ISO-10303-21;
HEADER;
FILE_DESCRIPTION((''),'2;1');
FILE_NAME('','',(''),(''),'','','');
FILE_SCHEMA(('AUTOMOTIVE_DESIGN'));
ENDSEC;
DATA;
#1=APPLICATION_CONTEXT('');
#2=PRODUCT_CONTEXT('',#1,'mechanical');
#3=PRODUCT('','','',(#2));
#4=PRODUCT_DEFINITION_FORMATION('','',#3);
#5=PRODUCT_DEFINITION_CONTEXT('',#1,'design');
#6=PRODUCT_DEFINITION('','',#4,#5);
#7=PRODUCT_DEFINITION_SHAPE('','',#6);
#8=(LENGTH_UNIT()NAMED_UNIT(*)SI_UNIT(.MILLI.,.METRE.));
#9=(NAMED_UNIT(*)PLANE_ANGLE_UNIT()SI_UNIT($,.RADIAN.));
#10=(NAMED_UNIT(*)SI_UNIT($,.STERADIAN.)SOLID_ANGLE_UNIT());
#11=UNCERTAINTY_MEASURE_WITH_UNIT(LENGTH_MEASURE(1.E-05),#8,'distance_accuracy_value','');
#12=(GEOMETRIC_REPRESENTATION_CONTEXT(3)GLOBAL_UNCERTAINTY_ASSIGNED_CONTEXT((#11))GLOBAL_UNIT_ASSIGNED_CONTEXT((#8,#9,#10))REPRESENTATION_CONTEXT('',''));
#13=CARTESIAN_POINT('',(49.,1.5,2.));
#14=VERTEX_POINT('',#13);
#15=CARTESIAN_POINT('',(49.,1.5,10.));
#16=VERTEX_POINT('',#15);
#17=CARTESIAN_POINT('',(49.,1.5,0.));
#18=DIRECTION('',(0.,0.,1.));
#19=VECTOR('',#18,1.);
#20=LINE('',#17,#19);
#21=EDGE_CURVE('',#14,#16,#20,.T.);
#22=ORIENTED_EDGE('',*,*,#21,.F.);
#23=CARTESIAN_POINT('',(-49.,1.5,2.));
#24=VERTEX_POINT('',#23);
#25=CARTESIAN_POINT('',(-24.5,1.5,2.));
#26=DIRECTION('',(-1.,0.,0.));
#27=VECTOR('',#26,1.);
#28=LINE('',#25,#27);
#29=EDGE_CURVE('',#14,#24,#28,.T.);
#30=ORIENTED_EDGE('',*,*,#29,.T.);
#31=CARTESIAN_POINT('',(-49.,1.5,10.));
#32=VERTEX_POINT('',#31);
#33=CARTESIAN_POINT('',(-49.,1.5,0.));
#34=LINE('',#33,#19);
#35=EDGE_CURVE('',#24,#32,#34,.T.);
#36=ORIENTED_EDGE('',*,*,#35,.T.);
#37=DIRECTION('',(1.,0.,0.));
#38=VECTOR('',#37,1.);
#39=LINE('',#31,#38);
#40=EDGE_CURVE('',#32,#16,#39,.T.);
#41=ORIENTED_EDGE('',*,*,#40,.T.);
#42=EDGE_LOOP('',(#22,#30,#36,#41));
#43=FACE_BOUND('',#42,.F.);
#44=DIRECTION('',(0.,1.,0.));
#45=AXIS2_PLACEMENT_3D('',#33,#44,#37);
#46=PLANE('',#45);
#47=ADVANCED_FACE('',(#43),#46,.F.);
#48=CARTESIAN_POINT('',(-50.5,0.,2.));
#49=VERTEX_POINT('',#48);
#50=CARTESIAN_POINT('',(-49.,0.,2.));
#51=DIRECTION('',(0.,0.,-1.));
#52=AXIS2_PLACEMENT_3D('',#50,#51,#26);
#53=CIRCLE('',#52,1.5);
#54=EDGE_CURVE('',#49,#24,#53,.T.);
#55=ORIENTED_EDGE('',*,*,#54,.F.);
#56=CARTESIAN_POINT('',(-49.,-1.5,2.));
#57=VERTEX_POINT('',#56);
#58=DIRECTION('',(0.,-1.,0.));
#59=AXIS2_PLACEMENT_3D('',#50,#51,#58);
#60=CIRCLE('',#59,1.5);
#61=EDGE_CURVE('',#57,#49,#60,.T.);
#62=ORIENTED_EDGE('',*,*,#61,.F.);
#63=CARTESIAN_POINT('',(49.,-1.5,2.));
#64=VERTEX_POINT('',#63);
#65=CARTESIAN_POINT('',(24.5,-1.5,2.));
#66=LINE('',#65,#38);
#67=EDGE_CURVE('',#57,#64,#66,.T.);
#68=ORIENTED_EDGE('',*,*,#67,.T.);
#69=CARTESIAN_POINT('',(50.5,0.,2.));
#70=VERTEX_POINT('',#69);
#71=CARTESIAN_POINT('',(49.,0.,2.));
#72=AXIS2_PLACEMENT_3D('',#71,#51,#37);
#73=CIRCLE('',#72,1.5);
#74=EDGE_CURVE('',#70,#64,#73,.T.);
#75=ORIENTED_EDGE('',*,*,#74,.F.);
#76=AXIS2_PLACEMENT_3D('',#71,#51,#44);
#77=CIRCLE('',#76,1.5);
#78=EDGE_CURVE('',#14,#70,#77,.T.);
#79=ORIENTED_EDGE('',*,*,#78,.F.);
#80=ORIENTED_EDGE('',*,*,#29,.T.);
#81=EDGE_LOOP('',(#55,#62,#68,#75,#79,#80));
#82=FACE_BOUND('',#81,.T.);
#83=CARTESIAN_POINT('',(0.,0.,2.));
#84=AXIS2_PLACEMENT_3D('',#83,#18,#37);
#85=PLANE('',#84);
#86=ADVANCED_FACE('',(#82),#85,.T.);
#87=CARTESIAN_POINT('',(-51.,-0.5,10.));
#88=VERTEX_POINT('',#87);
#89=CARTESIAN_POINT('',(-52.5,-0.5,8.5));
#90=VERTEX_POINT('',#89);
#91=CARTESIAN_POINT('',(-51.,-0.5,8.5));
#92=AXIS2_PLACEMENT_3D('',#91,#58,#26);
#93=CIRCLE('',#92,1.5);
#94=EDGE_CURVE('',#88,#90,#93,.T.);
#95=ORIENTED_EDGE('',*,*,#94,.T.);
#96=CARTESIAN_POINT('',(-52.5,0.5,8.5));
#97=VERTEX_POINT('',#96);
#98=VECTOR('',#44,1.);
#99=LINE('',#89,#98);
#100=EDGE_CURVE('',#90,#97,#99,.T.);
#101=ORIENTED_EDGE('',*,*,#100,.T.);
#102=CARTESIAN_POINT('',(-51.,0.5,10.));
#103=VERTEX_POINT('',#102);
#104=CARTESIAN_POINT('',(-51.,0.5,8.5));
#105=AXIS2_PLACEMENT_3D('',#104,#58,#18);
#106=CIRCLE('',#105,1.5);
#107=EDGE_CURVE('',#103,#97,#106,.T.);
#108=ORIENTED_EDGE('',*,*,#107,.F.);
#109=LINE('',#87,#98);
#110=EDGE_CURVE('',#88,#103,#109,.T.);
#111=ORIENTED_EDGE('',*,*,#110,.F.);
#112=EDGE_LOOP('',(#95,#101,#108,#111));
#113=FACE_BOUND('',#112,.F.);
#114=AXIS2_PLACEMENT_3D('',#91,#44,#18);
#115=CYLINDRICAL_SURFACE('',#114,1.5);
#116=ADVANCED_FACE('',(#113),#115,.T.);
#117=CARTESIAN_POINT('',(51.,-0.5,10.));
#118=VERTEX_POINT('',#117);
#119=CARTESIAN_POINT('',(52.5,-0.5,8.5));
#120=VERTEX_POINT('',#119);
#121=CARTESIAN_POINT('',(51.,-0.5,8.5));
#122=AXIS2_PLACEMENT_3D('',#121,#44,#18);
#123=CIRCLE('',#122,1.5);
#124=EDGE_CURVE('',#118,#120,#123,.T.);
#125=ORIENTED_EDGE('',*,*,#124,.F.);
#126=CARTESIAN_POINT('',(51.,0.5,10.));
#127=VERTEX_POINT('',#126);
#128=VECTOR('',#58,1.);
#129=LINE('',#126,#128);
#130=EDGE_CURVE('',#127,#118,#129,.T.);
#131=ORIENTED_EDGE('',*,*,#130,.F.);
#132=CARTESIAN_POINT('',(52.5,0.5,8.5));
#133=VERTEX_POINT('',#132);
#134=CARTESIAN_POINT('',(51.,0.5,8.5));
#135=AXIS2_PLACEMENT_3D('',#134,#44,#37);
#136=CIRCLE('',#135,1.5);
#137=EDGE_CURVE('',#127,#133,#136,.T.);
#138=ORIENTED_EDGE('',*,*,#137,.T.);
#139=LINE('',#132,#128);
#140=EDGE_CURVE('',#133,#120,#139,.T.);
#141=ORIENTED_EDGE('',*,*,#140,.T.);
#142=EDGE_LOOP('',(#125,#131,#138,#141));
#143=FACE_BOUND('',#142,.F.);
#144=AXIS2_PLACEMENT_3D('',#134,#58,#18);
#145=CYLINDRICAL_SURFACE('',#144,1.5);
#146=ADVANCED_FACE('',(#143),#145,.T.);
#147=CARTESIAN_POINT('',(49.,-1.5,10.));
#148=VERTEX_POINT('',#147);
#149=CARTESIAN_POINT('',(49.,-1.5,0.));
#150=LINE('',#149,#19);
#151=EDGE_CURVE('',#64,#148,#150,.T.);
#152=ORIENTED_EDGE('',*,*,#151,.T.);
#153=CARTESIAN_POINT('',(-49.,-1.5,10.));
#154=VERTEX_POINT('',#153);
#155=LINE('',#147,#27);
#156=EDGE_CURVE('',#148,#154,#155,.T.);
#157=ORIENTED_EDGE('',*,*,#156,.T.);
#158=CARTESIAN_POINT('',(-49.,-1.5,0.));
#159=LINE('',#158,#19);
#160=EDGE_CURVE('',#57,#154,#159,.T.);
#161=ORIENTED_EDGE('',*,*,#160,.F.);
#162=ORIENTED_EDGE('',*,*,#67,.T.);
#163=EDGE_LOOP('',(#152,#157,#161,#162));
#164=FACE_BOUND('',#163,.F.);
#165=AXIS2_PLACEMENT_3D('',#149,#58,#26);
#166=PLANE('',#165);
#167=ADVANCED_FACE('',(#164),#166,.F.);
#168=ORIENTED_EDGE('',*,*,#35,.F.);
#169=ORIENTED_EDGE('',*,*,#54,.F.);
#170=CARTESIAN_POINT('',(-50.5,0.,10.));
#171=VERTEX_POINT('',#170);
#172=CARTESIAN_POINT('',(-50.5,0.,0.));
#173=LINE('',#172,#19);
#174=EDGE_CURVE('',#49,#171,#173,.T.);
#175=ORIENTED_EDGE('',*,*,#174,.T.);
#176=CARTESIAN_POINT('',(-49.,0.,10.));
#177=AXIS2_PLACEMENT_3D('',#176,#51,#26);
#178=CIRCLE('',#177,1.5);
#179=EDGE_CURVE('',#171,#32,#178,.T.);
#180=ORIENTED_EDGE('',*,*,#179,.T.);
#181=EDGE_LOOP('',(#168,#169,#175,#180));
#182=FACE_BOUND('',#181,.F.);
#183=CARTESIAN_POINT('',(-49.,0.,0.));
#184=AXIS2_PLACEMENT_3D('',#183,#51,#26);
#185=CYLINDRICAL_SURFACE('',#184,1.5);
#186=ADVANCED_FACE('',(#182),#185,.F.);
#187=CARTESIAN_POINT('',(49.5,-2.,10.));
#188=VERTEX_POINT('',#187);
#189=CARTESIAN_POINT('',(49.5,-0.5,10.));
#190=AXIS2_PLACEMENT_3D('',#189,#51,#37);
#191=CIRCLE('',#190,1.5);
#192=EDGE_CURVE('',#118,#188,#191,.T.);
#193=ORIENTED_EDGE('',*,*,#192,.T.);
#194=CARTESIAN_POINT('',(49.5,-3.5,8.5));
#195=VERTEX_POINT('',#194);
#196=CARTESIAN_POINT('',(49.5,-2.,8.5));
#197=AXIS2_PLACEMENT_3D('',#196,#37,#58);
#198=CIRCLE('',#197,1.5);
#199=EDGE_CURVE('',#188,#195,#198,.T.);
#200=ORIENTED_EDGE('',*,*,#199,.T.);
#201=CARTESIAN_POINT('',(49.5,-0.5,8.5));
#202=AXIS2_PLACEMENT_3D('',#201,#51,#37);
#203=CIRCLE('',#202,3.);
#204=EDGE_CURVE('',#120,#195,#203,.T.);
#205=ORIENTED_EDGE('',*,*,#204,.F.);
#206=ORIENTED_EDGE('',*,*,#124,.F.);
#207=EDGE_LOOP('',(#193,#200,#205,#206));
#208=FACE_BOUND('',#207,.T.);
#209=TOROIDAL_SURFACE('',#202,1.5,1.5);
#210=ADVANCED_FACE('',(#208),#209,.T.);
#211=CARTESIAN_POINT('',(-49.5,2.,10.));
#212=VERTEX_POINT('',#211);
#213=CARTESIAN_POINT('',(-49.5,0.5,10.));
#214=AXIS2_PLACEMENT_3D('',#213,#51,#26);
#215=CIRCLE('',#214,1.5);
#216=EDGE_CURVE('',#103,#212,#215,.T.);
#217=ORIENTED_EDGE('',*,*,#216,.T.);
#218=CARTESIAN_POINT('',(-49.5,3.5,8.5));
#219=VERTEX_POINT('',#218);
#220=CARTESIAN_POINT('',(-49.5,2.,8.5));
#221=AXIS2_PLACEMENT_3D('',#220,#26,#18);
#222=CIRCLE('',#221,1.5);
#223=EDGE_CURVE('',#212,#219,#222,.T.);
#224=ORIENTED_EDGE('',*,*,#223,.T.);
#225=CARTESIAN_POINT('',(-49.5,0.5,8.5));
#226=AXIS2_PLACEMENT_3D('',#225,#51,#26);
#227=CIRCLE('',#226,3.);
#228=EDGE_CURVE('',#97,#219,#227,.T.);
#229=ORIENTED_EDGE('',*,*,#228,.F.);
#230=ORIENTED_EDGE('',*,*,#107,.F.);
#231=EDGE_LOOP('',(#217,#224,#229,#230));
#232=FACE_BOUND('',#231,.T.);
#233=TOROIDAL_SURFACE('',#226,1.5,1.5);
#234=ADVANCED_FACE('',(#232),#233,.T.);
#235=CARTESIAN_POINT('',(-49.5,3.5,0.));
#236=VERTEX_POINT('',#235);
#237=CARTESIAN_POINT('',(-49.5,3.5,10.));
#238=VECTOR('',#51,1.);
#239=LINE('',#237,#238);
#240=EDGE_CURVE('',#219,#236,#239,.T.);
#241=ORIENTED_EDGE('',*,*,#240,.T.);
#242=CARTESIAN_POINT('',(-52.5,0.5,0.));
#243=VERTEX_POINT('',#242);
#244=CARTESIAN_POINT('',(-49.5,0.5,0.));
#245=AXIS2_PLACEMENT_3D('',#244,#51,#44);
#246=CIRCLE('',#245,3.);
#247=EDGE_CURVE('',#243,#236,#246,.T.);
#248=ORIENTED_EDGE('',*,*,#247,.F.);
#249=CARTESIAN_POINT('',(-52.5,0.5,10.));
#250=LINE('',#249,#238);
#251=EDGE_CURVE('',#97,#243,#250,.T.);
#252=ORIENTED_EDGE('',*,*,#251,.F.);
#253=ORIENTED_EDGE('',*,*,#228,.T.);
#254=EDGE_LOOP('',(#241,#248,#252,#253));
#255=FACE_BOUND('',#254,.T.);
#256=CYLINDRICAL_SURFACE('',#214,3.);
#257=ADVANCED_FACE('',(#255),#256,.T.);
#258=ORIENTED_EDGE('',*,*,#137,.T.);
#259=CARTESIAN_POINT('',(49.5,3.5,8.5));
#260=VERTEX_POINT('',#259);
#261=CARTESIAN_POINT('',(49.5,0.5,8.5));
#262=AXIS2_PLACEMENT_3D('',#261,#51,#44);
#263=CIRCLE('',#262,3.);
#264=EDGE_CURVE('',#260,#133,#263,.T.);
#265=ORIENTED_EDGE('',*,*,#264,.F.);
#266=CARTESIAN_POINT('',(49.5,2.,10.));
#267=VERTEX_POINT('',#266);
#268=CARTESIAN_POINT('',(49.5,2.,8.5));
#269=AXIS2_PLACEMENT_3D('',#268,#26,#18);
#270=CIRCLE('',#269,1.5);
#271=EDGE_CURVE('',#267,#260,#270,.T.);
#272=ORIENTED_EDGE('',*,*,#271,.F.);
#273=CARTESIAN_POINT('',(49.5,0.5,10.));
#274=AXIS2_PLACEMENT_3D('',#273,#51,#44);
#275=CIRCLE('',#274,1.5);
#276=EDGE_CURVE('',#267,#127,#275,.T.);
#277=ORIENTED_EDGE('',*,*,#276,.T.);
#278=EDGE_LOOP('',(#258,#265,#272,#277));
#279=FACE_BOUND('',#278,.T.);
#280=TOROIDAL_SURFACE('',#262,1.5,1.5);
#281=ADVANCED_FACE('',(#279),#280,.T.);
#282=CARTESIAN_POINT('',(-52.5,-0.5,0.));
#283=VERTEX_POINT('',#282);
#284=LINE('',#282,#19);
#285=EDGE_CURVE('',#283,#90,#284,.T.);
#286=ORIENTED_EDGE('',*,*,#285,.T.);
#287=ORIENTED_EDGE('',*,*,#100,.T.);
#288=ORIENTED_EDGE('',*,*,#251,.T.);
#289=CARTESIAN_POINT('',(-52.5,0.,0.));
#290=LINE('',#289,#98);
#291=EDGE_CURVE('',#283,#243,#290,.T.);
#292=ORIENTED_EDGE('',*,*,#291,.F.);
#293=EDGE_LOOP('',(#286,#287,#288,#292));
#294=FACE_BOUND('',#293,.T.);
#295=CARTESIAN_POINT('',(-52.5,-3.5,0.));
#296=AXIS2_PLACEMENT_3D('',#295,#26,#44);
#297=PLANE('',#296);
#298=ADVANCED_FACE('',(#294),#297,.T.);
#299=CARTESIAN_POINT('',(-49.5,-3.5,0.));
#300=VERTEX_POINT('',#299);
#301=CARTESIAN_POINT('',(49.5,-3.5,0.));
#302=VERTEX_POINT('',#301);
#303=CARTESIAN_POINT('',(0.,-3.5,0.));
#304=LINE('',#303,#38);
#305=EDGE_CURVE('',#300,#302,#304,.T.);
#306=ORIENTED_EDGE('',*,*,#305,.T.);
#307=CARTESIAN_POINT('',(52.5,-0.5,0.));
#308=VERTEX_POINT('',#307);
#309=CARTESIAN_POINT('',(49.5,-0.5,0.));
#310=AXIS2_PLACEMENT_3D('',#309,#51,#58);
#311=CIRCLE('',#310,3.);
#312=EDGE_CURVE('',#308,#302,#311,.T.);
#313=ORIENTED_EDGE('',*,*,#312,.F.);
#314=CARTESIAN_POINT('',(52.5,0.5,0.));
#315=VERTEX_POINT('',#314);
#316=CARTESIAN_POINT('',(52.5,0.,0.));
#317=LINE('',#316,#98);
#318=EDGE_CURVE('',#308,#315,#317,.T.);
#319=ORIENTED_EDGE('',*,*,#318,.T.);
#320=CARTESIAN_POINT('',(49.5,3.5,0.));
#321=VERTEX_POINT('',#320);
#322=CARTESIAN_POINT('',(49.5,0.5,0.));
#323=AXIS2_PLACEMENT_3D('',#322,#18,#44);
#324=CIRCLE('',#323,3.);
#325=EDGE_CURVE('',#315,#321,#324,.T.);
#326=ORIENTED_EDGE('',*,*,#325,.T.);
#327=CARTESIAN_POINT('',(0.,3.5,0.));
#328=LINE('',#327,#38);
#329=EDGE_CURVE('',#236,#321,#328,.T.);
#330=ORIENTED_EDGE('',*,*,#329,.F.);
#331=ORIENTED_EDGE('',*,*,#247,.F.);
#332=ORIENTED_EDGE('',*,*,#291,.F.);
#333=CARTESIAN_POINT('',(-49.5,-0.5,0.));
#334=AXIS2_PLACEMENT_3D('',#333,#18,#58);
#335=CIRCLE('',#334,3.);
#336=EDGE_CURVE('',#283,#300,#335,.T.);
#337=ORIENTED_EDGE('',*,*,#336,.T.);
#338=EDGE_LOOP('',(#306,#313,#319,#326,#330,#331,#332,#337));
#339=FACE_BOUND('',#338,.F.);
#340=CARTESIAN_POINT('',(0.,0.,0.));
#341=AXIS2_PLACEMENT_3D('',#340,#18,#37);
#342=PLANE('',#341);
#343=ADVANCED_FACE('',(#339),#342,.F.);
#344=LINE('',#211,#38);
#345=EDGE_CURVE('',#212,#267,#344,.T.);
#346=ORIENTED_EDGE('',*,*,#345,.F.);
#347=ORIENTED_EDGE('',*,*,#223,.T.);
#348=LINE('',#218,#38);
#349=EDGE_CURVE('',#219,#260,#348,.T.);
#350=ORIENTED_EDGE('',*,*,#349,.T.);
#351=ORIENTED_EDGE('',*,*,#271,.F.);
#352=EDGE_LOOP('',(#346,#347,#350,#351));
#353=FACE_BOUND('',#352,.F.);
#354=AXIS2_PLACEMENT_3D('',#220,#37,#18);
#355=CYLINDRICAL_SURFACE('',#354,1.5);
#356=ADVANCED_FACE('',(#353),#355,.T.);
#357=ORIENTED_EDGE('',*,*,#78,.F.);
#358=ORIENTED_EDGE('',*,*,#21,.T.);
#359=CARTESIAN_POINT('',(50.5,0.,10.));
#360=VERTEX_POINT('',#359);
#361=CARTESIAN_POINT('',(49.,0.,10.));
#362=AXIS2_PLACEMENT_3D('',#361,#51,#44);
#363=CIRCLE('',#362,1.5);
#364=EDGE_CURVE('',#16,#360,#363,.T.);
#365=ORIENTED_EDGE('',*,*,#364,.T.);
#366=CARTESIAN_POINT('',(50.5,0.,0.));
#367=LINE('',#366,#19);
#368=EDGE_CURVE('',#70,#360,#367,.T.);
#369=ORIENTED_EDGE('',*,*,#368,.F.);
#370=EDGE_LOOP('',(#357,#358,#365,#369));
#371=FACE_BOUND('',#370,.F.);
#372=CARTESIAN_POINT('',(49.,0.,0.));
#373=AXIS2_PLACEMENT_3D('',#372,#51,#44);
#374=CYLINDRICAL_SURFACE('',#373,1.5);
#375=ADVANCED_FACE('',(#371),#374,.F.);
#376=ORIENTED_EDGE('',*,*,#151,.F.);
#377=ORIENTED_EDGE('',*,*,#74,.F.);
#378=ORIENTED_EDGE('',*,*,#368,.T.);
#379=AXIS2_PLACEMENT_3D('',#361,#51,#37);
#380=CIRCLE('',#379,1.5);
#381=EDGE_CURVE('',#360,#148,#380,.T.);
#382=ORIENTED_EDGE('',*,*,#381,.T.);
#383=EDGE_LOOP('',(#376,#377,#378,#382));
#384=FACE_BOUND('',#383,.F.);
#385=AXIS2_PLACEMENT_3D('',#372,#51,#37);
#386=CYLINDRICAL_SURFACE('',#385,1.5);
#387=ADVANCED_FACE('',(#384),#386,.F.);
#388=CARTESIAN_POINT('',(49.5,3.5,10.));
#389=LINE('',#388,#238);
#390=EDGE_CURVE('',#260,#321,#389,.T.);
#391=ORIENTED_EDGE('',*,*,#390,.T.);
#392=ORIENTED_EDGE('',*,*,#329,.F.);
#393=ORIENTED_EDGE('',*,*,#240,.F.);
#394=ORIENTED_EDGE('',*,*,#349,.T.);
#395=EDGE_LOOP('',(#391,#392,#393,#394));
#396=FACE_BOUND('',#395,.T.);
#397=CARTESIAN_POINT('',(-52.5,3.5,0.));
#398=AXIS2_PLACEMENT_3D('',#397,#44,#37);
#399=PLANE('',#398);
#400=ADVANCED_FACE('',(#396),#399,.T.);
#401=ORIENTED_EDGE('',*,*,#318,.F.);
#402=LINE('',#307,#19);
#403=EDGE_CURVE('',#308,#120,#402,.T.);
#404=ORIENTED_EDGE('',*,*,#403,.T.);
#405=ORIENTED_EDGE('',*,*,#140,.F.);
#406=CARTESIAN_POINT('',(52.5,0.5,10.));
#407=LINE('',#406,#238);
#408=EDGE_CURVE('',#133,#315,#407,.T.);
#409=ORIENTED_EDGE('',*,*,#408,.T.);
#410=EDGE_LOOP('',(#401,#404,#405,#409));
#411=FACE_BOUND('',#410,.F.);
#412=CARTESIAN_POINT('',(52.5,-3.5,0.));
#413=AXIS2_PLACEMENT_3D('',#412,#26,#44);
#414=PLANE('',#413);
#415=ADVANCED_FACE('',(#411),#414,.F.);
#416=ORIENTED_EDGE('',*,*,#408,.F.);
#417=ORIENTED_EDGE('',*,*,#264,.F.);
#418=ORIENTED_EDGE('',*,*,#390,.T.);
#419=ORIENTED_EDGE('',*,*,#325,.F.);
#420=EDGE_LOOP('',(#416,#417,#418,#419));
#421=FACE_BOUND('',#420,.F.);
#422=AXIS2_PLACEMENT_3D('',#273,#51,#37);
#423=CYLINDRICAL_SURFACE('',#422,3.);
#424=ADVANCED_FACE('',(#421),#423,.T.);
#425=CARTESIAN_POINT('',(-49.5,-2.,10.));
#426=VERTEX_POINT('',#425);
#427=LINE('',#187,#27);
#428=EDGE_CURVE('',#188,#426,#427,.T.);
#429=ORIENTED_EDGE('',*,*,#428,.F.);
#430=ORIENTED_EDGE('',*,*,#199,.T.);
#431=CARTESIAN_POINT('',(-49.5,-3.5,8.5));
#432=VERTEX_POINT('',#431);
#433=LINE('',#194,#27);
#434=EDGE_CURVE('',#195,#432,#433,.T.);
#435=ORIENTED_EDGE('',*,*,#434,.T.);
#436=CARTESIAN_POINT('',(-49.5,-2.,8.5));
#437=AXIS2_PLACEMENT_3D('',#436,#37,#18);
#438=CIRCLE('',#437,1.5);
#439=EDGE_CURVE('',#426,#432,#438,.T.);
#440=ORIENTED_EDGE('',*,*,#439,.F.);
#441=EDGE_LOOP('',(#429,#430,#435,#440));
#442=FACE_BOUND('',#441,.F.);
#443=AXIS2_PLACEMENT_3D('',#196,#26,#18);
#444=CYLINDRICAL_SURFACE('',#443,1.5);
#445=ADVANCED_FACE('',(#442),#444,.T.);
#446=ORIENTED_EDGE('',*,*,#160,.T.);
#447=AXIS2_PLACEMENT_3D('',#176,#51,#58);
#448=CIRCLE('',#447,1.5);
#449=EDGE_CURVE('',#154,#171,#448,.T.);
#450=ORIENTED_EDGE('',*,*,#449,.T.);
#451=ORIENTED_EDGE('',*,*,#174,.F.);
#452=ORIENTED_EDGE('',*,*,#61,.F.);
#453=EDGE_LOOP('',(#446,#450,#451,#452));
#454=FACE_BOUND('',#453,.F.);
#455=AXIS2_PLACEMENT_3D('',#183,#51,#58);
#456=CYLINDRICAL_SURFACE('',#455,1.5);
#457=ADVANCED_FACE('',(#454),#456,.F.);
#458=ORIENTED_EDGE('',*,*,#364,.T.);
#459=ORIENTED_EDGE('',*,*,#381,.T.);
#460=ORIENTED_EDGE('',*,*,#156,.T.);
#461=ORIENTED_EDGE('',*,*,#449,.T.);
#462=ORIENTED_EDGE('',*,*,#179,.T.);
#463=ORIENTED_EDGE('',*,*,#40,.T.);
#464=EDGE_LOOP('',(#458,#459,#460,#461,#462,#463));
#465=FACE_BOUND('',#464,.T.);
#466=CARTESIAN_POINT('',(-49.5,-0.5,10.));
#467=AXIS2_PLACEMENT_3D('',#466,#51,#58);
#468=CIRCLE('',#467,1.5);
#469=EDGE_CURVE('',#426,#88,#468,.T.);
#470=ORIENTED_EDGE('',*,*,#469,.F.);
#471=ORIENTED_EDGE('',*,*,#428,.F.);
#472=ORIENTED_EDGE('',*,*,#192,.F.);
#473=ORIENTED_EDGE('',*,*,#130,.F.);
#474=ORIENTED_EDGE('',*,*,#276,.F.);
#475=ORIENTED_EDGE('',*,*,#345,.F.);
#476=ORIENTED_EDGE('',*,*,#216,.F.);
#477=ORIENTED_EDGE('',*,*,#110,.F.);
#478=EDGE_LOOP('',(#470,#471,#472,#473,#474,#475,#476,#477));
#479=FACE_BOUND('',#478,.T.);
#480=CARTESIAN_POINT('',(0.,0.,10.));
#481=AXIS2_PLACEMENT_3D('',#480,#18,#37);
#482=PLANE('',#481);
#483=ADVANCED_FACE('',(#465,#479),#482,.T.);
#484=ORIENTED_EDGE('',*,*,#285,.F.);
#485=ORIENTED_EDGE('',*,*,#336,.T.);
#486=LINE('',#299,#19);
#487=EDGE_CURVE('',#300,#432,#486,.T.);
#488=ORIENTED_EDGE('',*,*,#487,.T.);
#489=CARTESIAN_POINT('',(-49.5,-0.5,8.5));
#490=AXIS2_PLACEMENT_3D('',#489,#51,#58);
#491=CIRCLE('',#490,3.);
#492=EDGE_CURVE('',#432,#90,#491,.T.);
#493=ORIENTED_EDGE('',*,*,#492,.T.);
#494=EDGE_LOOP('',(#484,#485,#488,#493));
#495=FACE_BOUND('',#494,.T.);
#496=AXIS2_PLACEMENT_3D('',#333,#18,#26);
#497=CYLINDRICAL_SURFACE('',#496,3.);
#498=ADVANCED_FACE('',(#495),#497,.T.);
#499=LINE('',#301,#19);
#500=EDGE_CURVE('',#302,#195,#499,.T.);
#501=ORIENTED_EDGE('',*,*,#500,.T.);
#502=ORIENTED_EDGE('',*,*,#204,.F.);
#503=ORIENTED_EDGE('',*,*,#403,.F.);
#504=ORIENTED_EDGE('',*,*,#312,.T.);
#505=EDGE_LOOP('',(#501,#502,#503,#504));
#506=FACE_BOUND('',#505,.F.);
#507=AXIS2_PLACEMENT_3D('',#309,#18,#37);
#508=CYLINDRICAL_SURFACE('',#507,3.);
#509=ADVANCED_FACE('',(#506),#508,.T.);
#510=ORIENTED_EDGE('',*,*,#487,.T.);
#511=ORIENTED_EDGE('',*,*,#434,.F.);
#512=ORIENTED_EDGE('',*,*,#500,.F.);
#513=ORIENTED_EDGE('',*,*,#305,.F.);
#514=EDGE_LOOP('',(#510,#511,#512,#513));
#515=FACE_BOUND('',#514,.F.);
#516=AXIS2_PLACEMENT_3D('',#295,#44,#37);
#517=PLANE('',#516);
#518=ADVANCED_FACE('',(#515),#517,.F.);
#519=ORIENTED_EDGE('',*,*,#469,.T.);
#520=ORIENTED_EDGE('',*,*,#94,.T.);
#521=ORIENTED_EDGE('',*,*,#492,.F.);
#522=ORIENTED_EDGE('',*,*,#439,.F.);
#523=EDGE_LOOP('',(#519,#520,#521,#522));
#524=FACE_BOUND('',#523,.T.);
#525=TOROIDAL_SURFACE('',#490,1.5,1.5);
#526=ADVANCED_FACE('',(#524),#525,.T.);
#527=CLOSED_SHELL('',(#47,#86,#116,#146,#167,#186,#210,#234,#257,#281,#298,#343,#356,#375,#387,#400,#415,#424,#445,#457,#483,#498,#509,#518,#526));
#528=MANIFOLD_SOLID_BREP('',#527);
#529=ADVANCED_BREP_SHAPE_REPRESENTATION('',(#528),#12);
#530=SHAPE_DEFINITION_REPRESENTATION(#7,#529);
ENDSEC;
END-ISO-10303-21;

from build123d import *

# Parameters (mm, degrees)
F0_W     = 105
F0_H     = 7
F1_DEPTH = 2
F2_DEPTH = 10
F3_R     = 3
F4_R     = 1.5


with BuildPart() as f1:
    # F0 (on Top) → F1 (new body)
    with BuildSketch(Plane.XY):
        Rectangle(F0_W, F0_H)
        with BuildLine():
            ThreePointArc((-50.5, 0), (-50.0606601718, 1.0606601718), (-49, 1.5))
            Line((-49, 1.5), (49, 1.5))
            ThreePointArc((49, 1.5), (50.0606601718, 1.0606601718), (50.5, 0))
            ThreePointArc((50.5, 0), (50.0606601718, -1.0606601718), (49, -1.5))
            Line((49, -1.5), (-49, -1.5))
            ThreePointArc((-49, -1.5), (-50.0606601718, -1.0606601718), (-50.5, 0))
        make_face(mode=Mode.SUBTRACT)
        with BuildLine():
            Line((49, 1.5), (-49, 1.5))
            ThreePointArc((-49, 1.5), (-50.0606601718, 1.0606601718), (-50.5, 0))
            ThreePointArc((-50.5, 0), (-50.0606601718, -1.0606601718), (-49, -1.5))
            Line((-49, -1.5), (49, -1.5))
            ThreePointArc((49, -1.5), (50.0606601718, -1.0606601718), (50.5, 0))
            ThreePointArc((50.5, 0), (50.0606601718, 1.0606601718), (49, 1.5))
        make_face()
    extrude(amount=F1_DEPTH)

    # F0 (on Top) → F2 (join)
    with BuildSketch(Plane.XY):
        Rectangle(F0_W, F0_H)
        with BuildLine():
            ThreePointArc((-50.5, 0), (-50.0606601718, 1.0606601718), (-49, 1.5))
            Line((-49, 1.5), (49, 1.5))
            ThreePointArc((49, 1.5), (50.0606601718, 1.0606601718), (50.5, 0))
            ThreePointArc((50.5, 0), (50.0606601718, -1.0606601718), (49, -1.5))
            Line((49, -1.5), (-49, -1.5))
            ThreePointArc((-49, -1.5), (-50.0606601718, -1.0606601718), (-50.5, 0))
        make_face(mode=Mode.SUBTRACT)
    extrude(amount=F2_DEPTH)

    # F3
    f3_edges = [f1.edges().sort_by_distance(p)[0] for p in [
        (-52.5, -3.5, 5),
        (52.5, -3.5, 5),
        (52.5, 3.5, 5),
        (-52.5, 3.5, 5),
    ]]
    fillet(f3_edges, radius=F3_R)

    # F4
    f4_edges = [f1.edges().sort_by_distance(p)[0] for p in [
        (0, 3.5, 10),
    ]]
    fillet(f4_edges, radius=F4_R)


solid = f1.part
